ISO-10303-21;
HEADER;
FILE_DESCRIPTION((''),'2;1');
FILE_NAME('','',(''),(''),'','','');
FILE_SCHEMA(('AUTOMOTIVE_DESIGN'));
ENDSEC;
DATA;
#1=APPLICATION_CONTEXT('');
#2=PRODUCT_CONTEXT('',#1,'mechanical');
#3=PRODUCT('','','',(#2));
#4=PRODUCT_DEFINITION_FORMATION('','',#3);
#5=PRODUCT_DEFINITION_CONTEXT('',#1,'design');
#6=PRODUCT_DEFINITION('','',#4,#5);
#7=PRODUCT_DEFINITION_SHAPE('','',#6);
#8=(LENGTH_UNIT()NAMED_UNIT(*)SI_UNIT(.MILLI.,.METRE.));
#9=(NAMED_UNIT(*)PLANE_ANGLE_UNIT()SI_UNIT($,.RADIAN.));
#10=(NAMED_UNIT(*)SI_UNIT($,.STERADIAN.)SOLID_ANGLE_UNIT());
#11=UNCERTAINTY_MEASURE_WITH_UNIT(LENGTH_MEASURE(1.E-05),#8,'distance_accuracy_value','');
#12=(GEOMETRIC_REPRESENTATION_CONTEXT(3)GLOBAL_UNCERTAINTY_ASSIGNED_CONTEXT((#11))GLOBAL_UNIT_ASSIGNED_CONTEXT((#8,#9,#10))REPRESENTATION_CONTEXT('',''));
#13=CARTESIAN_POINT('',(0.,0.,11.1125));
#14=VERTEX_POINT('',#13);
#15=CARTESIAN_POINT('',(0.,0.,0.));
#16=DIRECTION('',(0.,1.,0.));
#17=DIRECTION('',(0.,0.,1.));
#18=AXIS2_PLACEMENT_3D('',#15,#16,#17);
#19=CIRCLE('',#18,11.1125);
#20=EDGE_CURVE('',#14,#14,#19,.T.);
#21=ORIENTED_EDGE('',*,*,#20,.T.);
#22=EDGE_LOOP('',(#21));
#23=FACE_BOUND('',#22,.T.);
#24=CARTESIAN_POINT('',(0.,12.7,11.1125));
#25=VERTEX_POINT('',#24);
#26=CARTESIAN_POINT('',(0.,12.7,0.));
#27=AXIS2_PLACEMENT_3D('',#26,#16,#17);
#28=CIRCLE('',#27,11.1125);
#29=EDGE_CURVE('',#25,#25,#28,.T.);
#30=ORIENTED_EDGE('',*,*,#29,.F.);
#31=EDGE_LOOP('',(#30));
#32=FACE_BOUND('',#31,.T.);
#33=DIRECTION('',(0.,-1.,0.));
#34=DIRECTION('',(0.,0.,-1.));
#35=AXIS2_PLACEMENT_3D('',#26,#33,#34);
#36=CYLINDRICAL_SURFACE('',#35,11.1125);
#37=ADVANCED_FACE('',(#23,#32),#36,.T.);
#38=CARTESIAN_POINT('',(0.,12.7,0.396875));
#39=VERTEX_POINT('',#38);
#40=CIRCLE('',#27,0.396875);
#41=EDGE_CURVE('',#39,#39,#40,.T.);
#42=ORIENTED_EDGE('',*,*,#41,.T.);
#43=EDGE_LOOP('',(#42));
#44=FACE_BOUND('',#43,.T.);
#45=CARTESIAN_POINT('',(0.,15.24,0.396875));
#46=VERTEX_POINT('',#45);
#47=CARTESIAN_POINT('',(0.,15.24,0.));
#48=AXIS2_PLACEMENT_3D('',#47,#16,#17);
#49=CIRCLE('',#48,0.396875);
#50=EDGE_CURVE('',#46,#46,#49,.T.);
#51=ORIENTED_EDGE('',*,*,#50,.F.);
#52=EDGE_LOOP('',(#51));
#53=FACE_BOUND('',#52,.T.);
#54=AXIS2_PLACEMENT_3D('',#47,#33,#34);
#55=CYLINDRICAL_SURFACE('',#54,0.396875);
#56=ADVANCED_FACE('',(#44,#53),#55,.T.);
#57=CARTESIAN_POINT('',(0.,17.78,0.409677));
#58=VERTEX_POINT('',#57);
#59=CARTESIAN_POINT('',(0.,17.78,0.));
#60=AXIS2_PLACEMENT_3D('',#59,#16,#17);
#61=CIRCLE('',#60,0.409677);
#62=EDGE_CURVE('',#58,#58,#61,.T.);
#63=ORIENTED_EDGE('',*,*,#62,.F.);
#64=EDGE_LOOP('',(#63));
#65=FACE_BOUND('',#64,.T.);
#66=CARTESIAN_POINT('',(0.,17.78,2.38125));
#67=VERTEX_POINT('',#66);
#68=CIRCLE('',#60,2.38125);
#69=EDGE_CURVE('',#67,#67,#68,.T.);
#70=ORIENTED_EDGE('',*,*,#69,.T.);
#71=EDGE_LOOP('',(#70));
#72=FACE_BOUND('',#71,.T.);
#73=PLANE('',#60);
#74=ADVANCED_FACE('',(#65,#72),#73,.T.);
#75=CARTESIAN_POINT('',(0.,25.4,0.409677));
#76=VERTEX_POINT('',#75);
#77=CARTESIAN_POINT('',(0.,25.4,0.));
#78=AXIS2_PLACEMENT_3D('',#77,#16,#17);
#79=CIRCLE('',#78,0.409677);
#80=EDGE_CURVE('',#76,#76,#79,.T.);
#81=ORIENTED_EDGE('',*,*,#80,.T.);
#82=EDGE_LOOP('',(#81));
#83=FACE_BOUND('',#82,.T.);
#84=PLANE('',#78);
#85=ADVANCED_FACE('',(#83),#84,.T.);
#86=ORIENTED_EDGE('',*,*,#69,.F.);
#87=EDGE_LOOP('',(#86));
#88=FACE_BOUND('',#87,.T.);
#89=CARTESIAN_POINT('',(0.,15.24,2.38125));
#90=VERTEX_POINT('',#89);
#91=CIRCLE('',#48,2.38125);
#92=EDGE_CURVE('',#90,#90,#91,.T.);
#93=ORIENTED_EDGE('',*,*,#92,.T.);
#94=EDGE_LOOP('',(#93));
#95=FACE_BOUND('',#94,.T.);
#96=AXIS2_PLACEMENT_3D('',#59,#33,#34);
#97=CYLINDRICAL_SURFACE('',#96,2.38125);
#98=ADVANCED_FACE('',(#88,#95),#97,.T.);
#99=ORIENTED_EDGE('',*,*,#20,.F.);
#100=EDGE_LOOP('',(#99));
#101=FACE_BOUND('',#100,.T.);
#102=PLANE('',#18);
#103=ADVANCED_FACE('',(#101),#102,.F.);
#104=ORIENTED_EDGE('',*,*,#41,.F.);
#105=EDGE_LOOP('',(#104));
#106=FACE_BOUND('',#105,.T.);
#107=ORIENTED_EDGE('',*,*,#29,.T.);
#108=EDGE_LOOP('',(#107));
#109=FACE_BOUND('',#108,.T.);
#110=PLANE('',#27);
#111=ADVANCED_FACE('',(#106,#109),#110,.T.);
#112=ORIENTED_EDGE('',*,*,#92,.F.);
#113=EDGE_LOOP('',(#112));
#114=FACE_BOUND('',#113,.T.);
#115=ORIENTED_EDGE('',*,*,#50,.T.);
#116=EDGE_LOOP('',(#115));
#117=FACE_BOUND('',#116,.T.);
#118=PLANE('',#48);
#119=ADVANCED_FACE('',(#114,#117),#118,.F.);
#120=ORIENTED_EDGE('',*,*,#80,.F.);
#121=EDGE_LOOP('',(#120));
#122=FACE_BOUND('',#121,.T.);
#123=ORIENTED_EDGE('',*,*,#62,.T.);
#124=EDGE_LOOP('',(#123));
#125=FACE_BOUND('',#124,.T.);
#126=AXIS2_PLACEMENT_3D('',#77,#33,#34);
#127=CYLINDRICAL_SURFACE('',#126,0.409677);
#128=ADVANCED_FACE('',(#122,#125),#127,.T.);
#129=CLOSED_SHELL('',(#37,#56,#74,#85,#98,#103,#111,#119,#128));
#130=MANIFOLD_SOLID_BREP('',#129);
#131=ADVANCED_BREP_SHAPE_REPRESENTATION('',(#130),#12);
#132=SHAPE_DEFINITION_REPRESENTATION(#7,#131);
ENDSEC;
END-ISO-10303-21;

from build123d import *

# Parameters (mm, degrees)
SKETCH1_R           = 11.1125
BOSS_EXTRUDE1_DEPTH = 12.7
SKETCH2_R           = 0.396875
BOSS_EXTRUDE2_DEPTH = 2.54
SKETCH3_R           = 2.38125
BOSS_EXTRUDE3_DEPTH = 2.54
SKETCH4_R           = 0.409677419
BOSS_EXTRUDE4_DEPTH = 7.62


with BuildPart() as part:
    # Sketch1 → Boss-Extrude1 (new body)
    with BuildSketch(Plane(origin=(0, 0, 0), x_dir=(1, 0, 0), z_dir=(0, 1, 0))):
        Circle(SKETCH1_R)
    extrude(amount=BOSS_EXTRUDE1_DEPTH)

    # Sketch2 → Boss-Extrude2 (add)
    with BuildSketch(Plane(origin=(0, 12.7, 0), x_dir=(1, 0, 0), z_dir=(0, 1, 0))):
        Circle(SKETCH2_R)
    extrude(amount=BOSS_EXTRUDE2_DEPTH)

    # Sketch3 → Boss-Extrude3 (add)
    with BuildSketch(Plane(origin=(0, 15.24, 0), x_dir=(1, 0, 0), z_dir=(0, 1, 0))):
        Circle(SKETCH3_R)
    extrude(amount=BOSS_EXTRUDE3_DEPTH)

    # Sketch4 → Boss-Extrude4 (add)
    with BuildSketch(Plane(origin=(0, 17.78, 0), x_dir=(1, 0, 0), z_dir=(0, 1, 0))):
        Circle(SKETCH4_R)
    extrude(amount=BOSS_EXTRUDE4_DEPTH)


solid = part.part
